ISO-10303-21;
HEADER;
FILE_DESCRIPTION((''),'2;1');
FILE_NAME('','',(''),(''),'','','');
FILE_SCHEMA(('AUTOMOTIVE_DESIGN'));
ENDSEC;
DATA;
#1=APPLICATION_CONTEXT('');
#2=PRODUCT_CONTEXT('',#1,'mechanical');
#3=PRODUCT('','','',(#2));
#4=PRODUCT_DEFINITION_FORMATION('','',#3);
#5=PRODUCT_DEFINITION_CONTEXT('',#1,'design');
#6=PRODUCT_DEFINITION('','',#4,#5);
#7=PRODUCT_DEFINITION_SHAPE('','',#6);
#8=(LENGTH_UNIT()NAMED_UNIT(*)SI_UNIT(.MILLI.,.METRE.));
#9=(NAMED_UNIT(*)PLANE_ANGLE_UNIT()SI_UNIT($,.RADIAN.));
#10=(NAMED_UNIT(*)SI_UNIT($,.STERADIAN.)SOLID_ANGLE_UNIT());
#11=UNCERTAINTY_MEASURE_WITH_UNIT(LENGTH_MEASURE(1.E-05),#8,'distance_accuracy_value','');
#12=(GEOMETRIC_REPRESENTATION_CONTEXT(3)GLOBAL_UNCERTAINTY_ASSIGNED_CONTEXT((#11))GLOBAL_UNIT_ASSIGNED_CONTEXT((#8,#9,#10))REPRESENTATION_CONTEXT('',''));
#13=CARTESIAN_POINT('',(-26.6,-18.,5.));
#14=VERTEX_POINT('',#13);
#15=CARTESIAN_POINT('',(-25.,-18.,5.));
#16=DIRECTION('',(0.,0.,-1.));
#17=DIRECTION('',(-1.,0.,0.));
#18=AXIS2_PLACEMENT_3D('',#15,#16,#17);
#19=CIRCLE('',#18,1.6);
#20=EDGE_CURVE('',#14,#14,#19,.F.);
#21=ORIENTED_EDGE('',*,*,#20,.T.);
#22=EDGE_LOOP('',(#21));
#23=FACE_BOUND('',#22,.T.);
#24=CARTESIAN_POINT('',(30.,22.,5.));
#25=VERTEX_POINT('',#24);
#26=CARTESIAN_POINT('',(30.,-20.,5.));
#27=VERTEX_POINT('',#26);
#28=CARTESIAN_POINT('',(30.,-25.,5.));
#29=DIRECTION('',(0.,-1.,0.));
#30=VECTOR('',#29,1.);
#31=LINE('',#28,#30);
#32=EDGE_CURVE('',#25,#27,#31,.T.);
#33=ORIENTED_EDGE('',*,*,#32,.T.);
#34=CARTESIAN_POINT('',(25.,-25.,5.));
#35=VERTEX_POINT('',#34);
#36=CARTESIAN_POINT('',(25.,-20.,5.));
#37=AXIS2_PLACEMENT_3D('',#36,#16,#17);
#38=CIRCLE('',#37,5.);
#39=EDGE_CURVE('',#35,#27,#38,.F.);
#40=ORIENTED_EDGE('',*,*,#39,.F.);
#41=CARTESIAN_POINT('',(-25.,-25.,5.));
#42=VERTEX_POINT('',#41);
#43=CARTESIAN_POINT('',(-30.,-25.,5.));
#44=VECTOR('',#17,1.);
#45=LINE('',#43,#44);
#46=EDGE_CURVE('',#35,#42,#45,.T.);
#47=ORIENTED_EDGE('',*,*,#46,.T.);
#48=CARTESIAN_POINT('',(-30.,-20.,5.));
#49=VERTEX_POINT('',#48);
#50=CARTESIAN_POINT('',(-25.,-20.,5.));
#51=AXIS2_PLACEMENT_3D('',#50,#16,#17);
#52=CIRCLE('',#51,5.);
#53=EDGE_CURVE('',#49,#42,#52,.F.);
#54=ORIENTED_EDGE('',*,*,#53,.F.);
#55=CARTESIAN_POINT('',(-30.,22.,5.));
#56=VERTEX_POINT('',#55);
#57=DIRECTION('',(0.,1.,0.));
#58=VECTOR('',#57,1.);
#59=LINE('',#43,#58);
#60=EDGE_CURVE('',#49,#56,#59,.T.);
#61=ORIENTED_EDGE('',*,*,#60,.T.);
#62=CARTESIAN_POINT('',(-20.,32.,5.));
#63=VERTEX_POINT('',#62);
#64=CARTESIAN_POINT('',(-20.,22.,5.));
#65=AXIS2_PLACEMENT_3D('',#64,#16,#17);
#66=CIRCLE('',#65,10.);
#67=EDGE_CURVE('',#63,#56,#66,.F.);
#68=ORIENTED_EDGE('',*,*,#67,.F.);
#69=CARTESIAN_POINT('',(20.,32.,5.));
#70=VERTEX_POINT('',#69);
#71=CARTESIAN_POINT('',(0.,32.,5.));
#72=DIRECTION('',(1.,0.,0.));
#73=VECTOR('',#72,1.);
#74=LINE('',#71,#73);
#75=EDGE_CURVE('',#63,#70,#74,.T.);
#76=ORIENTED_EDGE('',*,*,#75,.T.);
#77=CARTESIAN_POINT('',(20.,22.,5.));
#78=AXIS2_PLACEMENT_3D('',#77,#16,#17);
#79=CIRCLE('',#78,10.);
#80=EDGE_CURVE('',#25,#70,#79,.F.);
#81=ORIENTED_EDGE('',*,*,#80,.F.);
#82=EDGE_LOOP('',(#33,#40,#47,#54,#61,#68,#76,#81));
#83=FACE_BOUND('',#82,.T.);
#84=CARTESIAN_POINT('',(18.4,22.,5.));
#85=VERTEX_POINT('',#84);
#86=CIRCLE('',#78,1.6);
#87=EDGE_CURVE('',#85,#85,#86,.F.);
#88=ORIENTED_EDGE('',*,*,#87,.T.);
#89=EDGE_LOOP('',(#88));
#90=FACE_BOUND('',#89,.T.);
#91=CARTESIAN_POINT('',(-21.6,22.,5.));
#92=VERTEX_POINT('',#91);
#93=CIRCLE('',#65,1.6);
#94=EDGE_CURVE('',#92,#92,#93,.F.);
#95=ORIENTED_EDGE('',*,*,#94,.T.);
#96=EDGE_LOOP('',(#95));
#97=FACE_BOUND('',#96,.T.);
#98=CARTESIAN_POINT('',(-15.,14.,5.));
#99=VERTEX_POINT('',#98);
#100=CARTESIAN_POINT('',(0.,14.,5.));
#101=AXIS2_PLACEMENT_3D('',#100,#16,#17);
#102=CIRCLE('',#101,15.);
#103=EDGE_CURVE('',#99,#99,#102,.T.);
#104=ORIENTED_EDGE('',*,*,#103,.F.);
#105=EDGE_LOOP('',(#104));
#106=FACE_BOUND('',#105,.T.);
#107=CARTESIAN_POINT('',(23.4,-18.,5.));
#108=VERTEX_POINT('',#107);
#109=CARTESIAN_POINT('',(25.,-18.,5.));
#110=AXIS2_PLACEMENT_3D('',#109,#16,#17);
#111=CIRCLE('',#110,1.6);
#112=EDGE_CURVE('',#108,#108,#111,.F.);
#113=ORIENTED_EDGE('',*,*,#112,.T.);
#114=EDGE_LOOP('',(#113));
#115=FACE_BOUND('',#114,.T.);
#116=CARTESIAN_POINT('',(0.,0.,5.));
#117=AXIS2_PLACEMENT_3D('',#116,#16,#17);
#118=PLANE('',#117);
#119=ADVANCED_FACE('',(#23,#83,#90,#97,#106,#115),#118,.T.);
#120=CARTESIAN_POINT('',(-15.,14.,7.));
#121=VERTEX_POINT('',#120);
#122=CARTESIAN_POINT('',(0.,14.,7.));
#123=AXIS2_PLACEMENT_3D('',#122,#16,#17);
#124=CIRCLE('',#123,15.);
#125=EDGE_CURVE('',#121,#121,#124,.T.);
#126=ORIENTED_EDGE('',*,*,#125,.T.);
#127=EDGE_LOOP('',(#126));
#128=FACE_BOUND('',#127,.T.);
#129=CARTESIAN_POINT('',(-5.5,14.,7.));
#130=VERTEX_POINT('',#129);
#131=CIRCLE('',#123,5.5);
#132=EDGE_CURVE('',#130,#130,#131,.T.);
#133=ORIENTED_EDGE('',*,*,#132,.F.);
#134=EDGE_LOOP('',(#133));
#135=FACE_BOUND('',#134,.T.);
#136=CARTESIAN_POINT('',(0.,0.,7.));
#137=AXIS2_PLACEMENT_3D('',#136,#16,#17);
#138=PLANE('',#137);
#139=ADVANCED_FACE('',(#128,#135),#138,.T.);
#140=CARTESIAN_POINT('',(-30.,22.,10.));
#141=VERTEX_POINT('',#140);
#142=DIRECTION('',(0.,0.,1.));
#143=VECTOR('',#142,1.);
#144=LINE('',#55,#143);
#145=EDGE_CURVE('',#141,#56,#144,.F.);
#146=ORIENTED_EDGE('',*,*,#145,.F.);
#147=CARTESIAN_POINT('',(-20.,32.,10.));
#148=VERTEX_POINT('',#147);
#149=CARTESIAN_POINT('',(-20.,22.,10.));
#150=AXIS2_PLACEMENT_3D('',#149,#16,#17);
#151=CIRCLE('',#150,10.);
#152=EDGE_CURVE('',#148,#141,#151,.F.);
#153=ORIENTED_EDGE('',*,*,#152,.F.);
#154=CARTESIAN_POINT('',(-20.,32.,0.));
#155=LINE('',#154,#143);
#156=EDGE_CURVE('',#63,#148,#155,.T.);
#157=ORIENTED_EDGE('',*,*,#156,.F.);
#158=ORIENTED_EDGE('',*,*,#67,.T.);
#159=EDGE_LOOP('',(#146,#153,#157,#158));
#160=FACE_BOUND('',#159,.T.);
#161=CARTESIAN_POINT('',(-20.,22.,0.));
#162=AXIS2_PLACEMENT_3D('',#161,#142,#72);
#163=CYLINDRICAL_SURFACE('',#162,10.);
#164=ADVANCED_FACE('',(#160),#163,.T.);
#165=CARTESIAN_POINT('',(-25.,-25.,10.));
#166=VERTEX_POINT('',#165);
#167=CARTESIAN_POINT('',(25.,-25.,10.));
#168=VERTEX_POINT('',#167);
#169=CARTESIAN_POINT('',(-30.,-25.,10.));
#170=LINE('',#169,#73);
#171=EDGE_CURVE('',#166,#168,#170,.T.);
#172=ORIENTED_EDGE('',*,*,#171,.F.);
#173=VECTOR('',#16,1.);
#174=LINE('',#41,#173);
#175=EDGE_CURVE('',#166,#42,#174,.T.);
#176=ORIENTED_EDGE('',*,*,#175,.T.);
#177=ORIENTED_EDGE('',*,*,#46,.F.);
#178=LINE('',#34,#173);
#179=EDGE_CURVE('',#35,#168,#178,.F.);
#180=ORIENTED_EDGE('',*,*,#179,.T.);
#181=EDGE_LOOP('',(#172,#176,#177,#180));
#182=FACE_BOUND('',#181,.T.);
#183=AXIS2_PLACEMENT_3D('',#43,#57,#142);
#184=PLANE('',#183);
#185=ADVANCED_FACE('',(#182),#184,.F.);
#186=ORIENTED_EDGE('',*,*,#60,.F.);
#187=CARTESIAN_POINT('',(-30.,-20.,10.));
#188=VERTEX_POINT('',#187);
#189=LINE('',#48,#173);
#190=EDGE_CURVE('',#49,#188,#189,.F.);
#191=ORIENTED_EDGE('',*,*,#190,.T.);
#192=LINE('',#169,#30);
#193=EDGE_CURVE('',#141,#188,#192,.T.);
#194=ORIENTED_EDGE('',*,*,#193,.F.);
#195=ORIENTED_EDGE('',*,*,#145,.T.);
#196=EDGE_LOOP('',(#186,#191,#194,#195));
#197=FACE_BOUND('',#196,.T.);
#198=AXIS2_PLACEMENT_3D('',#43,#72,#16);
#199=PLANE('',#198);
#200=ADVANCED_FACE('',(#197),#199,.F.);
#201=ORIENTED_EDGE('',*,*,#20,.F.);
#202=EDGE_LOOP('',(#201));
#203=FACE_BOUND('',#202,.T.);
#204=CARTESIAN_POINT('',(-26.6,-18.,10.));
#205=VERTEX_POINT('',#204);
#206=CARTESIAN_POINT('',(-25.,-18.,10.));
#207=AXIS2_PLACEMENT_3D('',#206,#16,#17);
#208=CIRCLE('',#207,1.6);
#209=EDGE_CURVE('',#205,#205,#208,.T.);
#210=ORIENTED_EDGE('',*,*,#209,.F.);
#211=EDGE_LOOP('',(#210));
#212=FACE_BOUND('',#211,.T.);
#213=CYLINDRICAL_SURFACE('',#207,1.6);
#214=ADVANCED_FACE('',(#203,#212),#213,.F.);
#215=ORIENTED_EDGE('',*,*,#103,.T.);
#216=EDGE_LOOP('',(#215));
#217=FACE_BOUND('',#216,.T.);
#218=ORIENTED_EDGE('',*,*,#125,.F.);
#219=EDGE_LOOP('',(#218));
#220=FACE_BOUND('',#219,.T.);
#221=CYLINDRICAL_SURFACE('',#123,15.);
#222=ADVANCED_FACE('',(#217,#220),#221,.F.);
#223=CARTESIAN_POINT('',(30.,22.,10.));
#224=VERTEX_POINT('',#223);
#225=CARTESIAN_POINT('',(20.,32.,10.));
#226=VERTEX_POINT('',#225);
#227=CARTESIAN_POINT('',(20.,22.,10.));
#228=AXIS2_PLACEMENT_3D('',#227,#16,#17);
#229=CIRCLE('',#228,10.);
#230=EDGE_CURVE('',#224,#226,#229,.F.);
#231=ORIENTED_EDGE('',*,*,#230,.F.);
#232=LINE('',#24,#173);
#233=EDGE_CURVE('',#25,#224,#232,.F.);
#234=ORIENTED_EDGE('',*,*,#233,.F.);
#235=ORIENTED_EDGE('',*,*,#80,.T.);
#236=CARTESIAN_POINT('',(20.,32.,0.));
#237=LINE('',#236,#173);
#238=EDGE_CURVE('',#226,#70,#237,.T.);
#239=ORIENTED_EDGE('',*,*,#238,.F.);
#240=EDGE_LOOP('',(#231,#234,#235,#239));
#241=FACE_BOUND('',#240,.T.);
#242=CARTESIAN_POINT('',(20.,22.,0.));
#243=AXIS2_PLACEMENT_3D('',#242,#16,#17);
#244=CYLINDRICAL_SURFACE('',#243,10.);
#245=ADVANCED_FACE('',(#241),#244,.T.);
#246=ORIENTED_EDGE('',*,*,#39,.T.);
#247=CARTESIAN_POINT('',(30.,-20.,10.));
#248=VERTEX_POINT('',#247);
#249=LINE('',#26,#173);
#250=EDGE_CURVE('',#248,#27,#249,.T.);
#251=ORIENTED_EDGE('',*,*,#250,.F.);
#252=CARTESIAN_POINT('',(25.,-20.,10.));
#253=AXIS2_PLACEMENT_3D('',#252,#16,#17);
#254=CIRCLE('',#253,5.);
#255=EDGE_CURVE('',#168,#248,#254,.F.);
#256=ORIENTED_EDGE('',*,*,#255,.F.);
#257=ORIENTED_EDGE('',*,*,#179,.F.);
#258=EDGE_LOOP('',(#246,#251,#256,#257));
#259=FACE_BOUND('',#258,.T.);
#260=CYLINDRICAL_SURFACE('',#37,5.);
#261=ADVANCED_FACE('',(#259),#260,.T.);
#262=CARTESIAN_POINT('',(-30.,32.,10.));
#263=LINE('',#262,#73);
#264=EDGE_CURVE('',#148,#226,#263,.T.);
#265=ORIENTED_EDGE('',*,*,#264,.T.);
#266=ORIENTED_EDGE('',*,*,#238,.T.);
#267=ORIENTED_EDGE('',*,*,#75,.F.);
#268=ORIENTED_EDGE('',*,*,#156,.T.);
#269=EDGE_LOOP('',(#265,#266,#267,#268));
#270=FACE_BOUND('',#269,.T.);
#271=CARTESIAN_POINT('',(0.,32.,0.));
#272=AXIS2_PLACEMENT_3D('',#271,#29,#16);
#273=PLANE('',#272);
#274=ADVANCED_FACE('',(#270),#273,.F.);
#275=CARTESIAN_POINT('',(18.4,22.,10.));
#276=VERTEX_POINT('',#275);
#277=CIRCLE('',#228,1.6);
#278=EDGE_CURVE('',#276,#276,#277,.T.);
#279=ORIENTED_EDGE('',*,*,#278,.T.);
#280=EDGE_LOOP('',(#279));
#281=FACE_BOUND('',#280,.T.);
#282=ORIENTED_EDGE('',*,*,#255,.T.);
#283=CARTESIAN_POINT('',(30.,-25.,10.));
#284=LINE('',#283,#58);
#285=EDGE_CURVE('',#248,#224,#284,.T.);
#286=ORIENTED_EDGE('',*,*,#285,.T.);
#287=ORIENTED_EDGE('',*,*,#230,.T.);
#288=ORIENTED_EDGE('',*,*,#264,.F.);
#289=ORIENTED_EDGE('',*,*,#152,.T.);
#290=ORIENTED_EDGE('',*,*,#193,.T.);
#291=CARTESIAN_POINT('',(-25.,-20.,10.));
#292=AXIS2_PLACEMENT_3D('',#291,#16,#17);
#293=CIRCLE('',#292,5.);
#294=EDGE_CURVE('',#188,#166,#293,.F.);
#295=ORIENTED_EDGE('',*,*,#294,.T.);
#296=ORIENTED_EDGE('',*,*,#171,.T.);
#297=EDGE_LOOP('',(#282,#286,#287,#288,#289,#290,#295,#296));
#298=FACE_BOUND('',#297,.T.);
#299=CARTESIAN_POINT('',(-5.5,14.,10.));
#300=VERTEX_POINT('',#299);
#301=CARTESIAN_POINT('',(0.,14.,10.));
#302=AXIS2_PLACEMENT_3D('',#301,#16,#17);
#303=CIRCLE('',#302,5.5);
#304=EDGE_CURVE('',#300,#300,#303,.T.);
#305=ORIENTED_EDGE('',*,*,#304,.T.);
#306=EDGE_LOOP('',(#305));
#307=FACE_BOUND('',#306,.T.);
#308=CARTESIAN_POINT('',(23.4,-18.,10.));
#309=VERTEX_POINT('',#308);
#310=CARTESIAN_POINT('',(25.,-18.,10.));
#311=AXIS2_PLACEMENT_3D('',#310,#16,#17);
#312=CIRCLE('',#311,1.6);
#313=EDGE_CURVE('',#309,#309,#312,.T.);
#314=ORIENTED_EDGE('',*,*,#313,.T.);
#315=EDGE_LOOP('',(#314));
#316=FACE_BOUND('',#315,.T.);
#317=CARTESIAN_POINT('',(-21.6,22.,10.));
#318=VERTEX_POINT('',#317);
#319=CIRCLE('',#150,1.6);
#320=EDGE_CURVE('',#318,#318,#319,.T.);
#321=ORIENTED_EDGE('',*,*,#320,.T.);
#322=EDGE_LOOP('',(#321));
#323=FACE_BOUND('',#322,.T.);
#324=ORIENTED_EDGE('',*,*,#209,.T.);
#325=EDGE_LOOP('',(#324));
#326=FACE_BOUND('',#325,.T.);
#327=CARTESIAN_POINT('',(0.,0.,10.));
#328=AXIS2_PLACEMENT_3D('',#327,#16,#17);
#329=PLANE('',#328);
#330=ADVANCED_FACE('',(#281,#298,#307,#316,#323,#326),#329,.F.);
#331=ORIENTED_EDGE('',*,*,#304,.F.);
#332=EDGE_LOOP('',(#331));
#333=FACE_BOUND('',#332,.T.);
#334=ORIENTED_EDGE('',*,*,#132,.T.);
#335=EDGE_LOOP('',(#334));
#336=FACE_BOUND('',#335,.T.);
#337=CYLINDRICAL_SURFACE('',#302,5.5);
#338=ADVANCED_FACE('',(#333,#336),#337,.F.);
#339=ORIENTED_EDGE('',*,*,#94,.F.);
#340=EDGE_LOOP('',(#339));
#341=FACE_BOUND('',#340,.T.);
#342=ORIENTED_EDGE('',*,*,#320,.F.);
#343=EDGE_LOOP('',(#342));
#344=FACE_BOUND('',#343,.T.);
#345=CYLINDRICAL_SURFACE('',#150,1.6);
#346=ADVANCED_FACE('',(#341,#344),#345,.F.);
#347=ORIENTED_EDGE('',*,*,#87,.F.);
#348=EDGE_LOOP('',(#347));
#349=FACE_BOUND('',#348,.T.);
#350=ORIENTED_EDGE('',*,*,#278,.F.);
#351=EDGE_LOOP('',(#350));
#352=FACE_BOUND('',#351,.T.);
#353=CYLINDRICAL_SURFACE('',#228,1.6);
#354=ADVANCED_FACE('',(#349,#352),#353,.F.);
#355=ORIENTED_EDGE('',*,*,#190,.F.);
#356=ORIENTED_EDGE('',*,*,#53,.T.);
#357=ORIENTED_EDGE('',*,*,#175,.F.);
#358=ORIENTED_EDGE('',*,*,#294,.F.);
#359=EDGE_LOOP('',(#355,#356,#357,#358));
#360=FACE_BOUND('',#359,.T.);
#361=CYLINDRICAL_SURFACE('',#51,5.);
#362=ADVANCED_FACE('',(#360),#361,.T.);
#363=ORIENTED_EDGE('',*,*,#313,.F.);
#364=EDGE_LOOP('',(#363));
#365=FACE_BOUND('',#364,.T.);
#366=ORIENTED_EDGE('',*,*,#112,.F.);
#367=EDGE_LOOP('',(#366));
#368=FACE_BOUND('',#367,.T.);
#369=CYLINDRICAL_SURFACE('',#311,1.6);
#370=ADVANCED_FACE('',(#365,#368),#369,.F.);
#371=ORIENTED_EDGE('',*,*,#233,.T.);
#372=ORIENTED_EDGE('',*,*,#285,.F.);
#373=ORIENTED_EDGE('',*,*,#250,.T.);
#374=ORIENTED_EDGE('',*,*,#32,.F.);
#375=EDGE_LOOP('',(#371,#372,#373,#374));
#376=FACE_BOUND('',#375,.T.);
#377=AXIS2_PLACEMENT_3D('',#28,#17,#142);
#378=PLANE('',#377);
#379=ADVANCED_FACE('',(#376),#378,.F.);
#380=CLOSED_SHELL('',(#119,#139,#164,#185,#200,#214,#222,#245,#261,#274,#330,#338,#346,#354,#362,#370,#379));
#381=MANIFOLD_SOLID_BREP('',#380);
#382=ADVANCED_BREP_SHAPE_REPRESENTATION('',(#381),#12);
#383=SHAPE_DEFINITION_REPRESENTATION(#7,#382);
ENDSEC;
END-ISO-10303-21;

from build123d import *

# Parameters (mm, degrees)
SKETCH_1_W          = 60
SKETCH_1_H          = 50
SKETCH_1_R          = 15
EXTRUDE_5_DEPTH     = 5
SKETCH_4_W          = 60
SKETCH_4_H          = 50
SKETCH_4_R          = 5.5
EXTRUDE_6_DEPTH     = 5
SKETCH_5_R          = 1.6
CUT_EXTRUDE_1_DEPTH = 10
SKETCH_6_W          = 60
SKETCH_6_H          = 10
EXTRUDE_7_DEPTH     = 7
FILLET_3_R          = 10
FILLET_5_R          = 10
FILLET_6_R          = 5
FILLET_7_R          = 5
SKETCH_7_W          = 62.929868023
SKETCH_7_H          = 59.60365164
CUT_EXTRUDE_2_DEPTH = 5
SKETCH_8_R          = 15
CUT_EXTRUDE_3_DEPTH = 2
SKETCH_9_R          = 15
CUT_EXTRUDE_4_DEPTH = 2
SKETCH_10_R         = 5.5
CUT_EXTRUDE_6_DEPTH = 44.965895874
SKETCH_11_R         = 5.5
EXTRUDE_8_DEPTH     = 3
EXTRUDE_START       = 2
EXTRUDE_9_DEPTH     = 2


with BuildPart() as part:
    # 草图1 → 凸台-拉伸5 (new body)
    with BuildSketch(Plane.XY):
        Rectangle(SKETCH_1_W, SKETCH_1_H)
        Circle(SKETCH_1_R, mode=Mode.SUBTRACT)
    extrude(amount=EXTRUDE_5_DEPTH)

    # 草图4 → 凸台-拉伸6 (add)
    with BuildSketch(Plane.XY.offset(5)):
        Rectangle(SKETCH_4_W, SKETCH_4_H)
        Circle(SKETCH_4_R, mode=Mode.SUBTRACT)
    extrude(amount=EXTRUDE_6_DEPTH)

    # 草图5 → 切除-拉伸1 (cut)
    with BuildSketch(Plane(origin=(0, 0, 0), x_dir=(-1, 0, 0), z_dir=(0, 0, -1))):
        with Locations((-20, 22)):
            Circle(SKETCH_5_R)
        with Locations((-25, -18)):
            Circle(SKETCH_5_R)
        with Locations((20, 22)):
            Circle(SKETCH_5_R)
        with Locations((25, -18)):
            Circle(SKETCH_5_R)
    extrude(amount=-CUT_EXTRUDE_1_DEPTH, mode=Mode.SUBTRACT)

    # 草图6 → 凸台-拉伸7 (add)
    with BuildSketch(Plane(origin=(0, 25, 0), x_dir=(1, 0, 0), z_dir=(0, 1, 0))):
        with Locations((0, -5)):
            Rectangle(SKETCH_6_W, SKETCH_6_H)
    extrude(amount=EXTRUDE_7_DEPTH)

    # 圆角3
    fillet_3_edges = [part.edges().sort_by_distance(p)[0] for p in [
        (-30, 32, 5),
    ]]
    fillet(fillet_3_edges, radius=FILLET_3_R)

    # 圆角5
    fillet_5_edges = [part.edges().sort_by_distance(p)[0] for p in [
        (30, 32, 5),
    ]]
    fillet(fillet_5_edges, radius=FILLET_5_R)

    # 圆角6
    fillet_6_edges = [part.edges().sort_by_distance(p)[0] for p in [
        (-30, -25, 5),
    ]]
    fillet(fillet_6_edges, radius=FILLET_6_R)

    # 圆角7
    fillet_7_edges = [part.edges().sort_by_distance(p)[0] for p in [
        (30, -25, 5),
    ]]
    fillet(fillet_7_edges, radius=FILLET_7_R)

    # 草图7 → 切除-拉伸2 (cut)
    with BuildSketch(Plane(origin=(0, 0, 0), x_dir=(-1, 0, 0), z_dir=(0, 0, -1))):
        with Locations((0.697432467, 2.50749995)):
            Rectangle(SKETCH_7_W, SKETCH_7_H)
    extrude(amount=-CUT_EXTRUDE_2_DEPTH, mode=Mode.SUBTRACT)

    # 草图8 → 切除-拉伸3 (cut)
    with BuildSketch(Plane(origin=(0, 0, 5), x_dir=(-1, 0, 0), z_dir=(0, 0, -1))):
        Circle(SKETCH_8_R)
    extrude(amount=-CUT_EXTRUDE_3_DEPTH, mode=Mode.SUBTRACT)

    # 草图9 → 切除-拉伸4 (cut)
    with BuildSketch(Plane(origin=(0, 0, 5), x_dir=(-1, 0, 0), z_dir=(0, 0, -1))):
        with Locations((0, 14)):
            Circle(SKETCH_9_R)
        Circle(SKETCH_9_R)
        with BuildLine():
            ThreePointArc((-13.266499161, 7), (-14.560176637, 10.394274513), (-15, 14))
            Line((-15, 14), (-15, 0))
            ThreePointArc((-15, 0), (-14.560176637, 3.605725487), (-13.266499161, 7))
        make_face()
        with BuildLine():
            Line((15, 0), (15, 14))
            ThreePointArc((15, 14), (14.560176637, 10.394274513), (13.266499161, 7))
            ThreePointArc((13.266499161, 7), (14.560176637, 3.605725487), (15, 0))
        make_face()
    extrude(amount=-CUT_EXTRUDE_4_DEPTH, mode=Mode.SUBTRACT)

    # 草图10 → 切除-拉伸6 (cut, through all)
    with BuildSketch(Plane(origin=(0, 0, 7), x_dir=(-1, 0, 0), z_dir=(0, 0, -1))):
        with Locations((0, 14)):
            Circle(SKETCH_10_R)
    extrude(amount=-CUT_EXTRUDE_6_DEPTH, mode=Mode.SUBTRACT)

    # 草图11 → 凸台-拉伸8 (add)
    with BuildSketch(Plane(origin=(0, 0, 7), x_dir=(-1, 0, 0), z_dir=(0, 0, -1))):
        Circle(SKETCH_11_R)
    extrude(amount=-EXTRUDE_8_DEPTH)

    # 草图12 → 凸台-拉伸9 (add)
    with BuildSketch(Plane(origin=(0, 0, 7), x_dir=(-1, 0, 0), z_dir=(0, 0, -1)).offset(EXTRUDE_START)):
        with BuildLine():
            ThreePointArc((-13.266499161, 7), (-14.560176637, 3.605725487), (-15, 0))
            ThreePointArc((-15, 0), (0, -15), (15, 0))
            ThreePointArc((15, 0), (14.560176637, 3.605725487), (13.266499161, 7))
            ThreePointArc((13.266499161, 7), (0, -1), (-13.266499161, 7))
        make_face()
        with BuildLine():
            ThreePointArc((-13.266499161, 7), (-14.560176637, 10.394274513), (-15, 14))
            Line((-15, 14), (-15, 0))
            ThreePointArc((-15, 0), (-14.560176637, 3.605725487), (-13.266499161, 7))
        make_face()
        with BuildLine():
            Line((15, 0), (15, 14))
            ThreePointArc((15, 14), (14.560176637, 10.394274513), (13.266499161, 7))
            ThreePointArc((13.266499161, 7), (14.560176637, 3.605725487), (15, 0))
        make_face()
    extrude(amount=-EXTRUDE_9_DEPTH)


solid = part.part
